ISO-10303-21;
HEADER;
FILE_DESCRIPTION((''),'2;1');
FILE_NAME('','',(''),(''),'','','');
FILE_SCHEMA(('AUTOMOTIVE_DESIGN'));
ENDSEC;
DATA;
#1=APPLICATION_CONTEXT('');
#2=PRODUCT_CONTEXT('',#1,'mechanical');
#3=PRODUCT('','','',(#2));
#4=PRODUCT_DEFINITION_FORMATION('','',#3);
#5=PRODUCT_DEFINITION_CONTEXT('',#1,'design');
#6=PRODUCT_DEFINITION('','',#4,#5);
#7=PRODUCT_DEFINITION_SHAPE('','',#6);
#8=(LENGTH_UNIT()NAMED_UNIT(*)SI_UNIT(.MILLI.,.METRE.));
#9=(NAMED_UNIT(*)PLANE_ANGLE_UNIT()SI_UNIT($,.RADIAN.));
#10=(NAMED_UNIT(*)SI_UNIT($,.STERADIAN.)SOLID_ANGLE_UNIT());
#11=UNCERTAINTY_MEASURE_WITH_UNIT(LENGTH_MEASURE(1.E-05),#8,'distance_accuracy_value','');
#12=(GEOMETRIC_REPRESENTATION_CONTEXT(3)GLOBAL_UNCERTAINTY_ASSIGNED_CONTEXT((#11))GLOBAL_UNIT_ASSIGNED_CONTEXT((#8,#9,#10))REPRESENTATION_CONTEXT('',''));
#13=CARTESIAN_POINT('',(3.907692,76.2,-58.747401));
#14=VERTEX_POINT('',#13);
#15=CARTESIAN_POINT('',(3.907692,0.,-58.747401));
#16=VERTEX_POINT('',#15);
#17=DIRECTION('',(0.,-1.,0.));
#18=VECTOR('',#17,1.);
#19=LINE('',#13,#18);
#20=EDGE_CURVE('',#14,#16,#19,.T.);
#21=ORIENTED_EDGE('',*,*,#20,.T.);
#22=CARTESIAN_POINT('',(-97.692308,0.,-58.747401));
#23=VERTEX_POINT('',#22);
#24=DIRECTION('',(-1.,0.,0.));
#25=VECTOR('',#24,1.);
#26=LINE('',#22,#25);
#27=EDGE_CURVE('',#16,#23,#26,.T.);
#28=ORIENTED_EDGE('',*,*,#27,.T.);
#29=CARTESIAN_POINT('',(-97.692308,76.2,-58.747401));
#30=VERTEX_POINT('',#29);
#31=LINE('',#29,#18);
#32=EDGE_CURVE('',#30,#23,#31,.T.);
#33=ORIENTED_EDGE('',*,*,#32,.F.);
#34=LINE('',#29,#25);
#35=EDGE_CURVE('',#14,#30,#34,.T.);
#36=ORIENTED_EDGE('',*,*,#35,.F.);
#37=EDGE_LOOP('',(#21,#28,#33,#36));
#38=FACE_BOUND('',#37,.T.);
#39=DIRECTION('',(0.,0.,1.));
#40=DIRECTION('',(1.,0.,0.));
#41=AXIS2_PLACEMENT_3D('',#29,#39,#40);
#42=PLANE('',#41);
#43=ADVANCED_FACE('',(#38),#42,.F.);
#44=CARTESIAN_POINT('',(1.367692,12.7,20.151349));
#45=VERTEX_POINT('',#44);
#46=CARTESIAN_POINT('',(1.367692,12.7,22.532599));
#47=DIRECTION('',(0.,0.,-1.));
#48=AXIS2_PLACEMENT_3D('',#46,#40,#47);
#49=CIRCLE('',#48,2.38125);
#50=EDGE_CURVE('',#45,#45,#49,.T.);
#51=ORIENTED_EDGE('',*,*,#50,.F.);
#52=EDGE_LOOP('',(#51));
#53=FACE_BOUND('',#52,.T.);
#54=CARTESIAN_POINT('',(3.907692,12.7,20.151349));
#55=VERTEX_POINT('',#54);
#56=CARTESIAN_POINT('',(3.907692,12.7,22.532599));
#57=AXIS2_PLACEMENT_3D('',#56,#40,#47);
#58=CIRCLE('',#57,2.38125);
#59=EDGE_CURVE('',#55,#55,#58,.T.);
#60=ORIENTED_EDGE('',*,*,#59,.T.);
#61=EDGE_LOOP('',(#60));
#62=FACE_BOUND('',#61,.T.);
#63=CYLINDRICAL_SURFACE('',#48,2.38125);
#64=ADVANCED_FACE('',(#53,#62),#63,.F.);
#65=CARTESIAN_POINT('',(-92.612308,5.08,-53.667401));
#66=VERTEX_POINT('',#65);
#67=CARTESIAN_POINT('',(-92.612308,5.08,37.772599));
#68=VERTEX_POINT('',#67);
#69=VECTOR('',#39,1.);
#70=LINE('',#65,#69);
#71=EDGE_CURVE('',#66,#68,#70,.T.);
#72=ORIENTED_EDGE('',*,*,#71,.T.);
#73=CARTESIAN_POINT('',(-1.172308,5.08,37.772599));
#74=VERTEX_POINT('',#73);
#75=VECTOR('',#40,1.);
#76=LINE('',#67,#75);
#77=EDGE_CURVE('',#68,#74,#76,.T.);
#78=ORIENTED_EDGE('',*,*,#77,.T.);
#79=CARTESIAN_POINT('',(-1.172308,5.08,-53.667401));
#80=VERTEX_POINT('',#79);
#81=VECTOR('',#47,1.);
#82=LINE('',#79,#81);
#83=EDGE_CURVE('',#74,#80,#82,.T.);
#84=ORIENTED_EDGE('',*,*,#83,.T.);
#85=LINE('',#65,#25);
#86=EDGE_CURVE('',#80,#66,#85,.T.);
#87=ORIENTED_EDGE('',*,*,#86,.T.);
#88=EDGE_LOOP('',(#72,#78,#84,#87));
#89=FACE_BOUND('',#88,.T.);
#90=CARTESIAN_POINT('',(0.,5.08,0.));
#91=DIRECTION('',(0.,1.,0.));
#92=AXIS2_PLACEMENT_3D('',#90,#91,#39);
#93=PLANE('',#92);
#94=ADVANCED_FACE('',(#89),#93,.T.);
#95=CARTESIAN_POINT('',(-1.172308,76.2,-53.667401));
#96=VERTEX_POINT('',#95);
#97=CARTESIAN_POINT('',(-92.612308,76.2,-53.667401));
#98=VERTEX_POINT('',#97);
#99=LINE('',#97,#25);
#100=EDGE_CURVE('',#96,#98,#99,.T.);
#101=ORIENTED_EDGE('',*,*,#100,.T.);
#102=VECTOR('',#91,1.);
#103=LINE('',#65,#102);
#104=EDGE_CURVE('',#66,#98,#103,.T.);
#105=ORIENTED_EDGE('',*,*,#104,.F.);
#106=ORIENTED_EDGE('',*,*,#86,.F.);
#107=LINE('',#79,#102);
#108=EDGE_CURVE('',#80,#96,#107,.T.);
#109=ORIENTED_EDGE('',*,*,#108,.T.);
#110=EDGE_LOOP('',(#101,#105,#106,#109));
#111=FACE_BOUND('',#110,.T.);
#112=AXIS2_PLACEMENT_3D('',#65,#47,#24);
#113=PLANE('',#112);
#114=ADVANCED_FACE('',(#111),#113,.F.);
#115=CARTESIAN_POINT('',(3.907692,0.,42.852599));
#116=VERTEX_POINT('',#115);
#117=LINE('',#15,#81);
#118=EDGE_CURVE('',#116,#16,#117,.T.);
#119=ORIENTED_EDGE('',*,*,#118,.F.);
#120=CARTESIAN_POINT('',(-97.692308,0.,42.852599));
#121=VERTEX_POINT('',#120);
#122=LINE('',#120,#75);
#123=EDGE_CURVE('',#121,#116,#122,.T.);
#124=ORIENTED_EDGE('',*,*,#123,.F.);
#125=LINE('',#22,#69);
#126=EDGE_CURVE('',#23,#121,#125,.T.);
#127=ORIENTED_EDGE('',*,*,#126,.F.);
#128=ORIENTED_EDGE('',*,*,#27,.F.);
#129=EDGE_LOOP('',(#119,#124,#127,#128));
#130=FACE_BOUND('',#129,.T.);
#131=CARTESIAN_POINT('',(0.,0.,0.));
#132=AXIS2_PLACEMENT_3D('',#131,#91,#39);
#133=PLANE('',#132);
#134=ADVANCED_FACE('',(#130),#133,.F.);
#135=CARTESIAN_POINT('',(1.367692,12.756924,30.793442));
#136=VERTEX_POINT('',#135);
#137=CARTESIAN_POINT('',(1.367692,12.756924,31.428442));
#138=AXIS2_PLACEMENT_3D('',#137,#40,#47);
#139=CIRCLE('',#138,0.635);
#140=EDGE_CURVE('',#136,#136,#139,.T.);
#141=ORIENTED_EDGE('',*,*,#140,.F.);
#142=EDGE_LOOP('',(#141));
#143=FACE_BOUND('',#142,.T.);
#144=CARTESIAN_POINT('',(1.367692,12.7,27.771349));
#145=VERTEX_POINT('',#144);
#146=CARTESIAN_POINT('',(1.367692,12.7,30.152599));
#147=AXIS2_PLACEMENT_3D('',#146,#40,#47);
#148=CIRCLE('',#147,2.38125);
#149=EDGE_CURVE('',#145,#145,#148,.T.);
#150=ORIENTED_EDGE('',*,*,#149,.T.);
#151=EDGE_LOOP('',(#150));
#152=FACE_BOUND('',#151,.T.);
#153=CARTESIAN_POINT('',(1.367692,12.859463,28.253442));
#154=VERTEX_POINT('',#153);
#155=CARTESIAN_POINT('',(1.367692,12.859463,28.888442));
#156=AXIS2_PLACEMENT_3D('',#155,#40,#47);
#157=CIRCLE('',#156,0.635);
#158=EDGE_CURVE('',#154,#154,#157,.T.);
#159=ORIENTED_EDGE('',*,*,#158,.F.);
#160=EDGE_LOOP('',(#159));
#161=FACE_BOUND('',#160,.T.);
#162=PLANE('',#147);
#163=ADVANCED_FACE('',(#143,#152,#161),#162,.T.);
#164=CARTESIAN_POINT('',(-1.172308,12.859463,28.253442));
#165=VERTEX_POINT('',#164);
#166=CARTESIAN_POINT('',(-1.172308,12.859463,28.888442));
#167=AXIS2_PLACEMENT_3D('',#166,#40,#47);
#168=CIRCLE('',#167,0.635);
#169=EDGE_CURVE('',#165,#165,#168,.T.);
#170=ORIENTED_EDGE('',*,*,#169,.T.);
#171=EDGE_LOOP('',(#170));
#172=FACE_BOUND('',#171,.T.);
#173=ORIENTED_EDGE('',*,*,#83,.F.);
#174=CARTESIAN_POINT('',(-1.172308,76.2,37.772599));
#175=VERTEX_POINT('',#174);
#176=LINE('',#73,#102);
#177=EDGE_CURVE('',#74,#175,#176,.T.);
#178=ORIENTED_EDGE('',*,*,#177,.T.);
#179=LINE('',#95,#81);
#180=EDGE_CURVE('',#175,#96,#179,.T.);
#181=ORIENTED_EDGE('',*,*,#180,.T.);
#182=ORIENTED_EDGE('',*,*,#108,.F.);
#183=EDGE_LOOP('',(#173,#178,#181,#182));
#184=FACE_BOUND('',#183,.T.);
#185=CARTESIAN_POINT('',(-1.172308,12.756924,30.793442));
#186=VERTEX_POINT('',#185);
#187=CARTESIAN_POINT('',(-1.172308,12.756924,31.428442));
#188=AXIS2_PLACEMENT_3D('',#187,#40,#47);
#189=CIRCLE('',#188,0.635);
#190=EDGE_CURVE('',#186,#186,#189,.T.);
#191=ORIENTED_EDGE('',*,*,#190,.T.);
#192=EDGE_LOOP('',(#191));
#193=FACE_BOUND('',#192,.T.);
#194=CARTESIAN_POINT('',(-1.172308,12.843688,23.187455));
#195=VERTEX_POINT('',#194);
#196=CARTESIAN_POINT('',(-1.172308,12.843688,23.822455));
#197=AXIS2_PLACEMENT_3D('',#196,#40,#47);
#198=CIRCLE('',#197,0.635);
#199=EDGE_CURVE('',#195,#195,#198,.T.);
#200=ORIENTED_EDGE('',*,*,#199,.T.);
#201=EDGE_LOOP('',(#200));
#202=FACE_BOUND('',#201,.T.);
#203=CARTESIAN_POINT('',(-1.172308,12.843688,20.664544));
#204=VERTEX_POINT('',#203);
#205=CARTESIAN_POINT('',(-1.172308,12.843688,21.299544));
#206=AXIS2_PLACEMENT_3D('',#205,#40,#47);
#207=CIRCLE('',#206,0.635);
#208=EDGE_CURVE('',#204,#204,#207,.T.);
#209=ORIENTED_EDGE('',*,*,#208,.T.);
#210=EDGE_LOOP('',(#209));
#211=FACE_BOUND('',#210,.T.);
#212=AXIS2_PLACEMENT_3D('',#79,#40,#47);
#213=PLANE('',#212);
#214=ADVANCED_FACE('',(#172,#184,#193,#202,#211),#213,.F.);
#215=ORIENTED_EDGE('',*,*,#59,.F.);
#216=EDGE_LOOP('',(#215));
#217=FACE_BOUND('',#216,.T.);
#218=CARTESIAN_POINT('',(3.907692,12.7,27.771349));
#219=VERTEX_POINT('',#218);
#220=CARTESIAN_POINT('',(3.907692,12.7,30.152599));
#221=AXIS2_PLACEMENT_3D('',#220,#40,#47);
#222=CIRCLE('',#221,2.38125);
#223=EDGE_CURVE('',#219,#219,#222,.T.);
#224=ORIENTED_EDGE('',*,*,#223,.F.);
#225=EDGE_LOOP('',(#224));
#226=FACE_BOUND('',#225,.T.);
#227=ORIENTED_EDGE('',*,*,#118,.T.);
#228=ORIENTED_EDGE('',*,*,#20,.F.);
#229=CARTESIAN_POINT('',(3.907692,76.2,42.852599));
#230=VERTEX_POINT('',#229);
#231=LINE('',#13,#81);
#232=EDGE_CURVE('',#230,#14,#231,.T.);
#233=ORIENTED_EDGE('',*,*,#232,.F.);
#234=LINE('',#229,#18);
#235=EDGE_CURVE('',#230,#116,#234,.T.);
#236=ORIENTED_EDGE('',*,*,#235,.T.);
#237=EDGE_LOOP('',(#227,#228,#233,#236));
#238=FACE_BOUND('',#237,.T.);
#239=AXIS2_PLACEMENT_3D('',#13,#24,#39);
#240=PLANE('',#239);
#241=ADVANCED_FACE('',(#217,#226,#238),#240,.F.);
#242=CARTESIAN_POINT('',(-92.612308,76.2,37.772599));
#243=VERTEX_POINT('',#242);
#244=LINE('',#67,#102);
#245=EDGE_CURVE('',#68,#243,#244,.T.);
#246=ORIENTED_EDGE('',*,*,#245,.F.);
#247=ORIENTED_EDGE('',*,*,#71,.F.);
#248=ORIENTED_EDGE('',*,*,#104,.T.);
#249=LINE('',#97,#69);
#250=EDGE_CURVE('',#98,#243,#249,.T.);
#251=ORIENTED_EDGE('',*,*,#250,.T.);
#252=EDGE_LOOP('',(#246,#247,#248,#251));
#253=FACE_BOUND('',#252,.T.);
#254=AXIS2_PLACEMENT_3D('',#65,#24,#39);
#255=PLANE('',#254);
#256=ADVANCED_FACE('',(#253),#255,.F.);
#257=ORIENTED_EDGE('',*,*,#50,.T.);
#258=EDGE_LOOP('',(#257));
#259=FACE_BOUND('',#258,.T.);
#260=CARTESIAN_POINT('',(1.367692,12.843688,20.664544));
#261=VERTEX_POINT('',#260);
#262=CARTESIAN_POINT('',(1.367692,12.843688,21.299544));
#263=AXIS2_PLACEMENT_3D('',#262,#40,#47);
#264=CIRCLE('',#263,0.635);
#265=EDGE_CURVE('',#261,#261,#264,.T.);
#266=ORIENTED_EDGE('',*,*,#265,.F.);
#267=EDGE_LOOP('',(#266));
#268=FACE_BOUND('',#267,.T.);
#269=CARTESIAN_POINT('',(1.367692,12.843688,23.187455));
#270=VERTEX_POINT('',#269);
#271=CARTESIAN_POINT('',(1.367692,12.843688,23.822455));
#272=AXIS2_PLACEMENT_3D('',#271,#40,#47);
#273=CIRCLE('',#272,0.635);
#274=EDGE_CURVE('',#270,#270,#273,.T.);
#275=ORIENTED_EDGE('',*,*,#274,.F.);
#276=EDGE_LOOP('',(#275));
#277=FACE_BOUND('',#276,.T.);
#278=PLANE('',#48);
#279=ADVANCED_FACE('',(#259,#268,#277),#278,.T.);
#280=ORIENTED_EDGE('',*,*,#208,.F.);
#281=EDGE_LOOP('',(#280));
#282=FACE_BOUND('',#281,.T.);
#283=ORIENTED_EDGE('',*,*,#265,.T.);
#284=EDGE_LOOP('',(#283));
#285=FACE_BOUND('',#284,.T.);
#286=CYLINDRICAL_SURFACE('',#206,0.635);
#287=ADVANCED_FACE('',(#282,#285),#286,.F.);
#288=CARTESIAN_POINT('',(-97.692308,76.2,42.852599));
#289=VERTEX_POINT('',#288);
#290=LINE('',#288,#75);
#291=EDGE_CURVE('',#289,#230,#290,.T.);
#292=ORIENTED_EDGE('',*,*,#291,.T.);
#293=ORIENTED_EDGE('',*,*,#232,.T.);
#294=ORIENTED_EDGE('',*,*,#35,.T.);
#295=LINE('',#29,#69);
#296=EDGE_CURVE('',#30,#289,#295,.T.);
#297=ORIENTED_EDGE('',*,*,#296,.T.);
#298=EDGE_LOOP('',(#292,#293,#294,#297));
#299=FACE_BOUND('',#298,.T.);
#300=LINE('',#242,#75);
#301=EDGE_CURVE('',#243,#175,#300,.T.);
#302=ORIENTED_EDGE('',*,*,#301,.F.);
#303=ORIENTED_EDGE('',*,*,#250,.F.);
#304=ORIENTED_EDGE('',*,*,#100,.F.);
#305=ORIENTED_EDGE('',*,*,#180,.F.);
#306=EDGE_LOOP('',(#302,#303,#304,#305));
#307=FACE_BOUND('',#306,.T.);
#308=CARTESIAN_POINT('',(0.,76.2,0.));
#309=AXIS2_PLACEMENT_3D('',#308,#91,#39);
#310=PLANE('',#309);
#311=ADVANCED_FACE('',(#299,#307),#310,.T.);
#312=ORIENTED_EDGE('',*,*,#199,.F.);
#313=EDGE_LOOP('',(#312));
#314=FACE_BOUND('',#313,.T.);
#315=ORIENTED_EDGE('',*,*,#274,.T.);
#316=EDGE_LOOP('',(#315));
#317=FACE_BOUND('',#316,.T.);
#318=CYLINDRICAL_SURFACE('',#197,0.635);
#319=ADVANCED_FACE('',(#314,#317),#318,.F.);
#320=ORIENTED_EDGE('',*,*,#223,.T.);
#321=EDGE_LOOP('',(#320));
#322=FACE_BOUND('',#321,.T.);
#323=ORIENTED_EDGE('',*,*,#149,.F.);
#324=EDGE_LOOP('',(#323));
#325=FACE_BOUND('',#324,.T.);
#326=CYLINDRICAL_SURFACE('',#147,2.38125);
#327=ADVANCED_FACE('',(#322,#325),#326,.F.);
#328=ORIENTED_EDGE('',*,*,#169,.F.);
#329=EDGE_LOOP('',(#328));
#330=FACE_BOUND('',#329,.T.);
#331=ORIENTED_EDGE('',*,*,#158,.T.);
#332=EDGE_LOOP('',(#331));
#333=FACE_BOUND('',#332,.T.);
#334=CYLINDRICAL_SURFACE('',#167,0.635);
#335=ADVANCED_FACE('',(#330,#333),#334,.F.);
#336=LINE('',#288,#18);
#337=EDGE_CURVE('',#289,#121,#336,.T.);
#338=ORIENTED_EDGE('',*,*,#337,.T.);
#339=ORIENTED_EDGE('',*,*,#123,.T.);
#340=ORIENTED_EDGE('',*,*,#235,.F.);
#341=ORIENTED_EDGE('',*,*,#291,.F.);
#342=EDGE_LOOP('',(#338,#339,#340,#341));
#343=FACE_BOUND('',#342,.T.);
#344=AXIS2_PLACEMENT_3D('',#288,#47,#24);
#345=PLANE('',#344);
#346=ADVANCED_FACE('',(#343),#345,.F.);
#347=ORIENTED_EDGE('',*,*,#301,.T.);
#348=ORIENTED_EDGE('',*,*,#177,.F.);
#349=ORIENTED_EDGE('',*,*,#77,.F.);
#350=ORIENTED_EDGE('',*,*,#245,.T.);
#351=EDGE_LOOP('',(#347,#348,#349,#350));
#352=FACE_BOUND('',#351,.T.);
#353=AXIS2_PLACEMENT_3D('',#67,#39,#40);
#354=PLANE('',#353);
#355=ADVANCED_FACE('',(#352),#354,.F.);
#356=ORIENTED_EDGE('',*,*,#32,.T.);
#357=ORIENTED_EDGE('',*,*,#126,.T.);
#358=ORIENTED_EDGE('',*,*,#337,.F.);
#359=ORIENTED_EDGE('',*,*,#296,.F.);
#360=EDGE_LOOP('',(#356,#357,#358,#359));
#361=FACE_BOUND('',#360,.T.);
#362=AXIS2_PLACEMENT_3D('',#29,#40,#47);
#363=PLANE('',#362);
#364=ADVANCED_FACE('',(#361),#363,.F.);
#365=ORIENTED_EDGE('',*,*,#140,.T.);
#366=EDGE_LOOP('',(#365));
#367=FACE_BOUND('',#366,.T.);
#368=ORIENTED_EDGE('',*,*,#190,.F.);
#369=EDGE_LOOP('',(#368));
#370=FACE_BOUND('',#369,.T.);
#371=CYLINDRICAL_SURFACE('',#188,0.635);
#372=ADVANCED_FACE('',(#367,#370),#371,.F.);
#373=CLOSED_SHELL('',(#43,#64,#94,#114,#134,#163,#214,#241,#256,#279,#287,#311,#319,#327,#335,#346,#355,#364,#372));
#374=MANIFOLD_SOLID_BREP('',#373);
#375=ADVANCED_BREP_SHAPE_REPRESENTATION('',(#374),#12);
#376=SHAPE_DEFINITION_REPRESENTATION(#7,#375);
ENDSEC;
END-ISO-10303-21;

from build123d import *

# Parameters (mm, degrees)
SKETCH1_W           = 101.6
SKETCH1_H           = 101.6
BOSS_EXTRUDE1_DEPTH = 76.2
SKETCH2_W           = 91.44
SKETCH2_H           = 91.44
CUT_EXTRUDE1_DEPTH  = 71.12
SKETCH3_R           = 2.38125
CUT_EXTRUDE2_DEPTH  = 2.54
SKETCH4_R           = 0.635
CUT_EXTRUDE3_DEPTH  = 2.54
SKETCH6_R           = 2.38125
CUT_EXTRUDE5_DEPTH  = 2.54
SKETCH8_R           = 0.635
CUT_EXTRUDE7_DEPTH  = 2.54


with BuildPart() as part:
    # Sketch1 → Boss-Extrude1 (new body)
    with BuildSketch(Plane(origin=(0, 0, 0), x_dir=(1, 0, 0), z_dir=(0, 1, 0))):
        with Locations((-46.892307692, 7.947401247)):
            Rectangle(SKETCH1_W, SKETCH1_H)
    extrude(amount=BOSS_EXTRUDE1_DEPTH)

    # Sketch2 → Cut-Extrude1 (cut)
    with BuildSketch(Plane(origin=(0, 76.2, 0), x_dir=(1, 0, 0), z_dir=(0, 1, 0))):
        with Locations((-46.892307692, 7.947401247)):
            Rectangle(SKETCH2_W, SKETCH2_H)
    extrude(amount=-CUT_EXTRUDE1_DEPTH, mode=Mode.SUBTRACT)

    # Sketch3 → Cut-Extrude2 (cut)
    with BuildSketch(Plane(origin=(3.907692308, 0, 0), x_dir=(0, 0, -1), z_dir=(1, 0, 0))):
        with Locations((-30.152598753, 12.7)):
            Circle(SKETCH3_R)
    extrude(amount=-CUT_EXTRUDE2_DEPTH, mode=Mode.SUBTRACT)

    # Sketch4 → Cut-Extrude3 (cut)
    with BuildSketch(Plane(origin=(1.367692308, 0, 0), x_dir=(0, 0, -1), z_dir=(1, 0, 0))):
        with Locations((-31.42844237, 12.756924018)):
            Circle(SKETCH4_R)
        with Locations((-28.88844237, 12.859462566)):
            Circle(SKETCH4_R)
    extrude(amount=-CUT_EXTRUDE3_DEPTH, mode=Mode.SUBTRACT)

    # Sketch6 → Cut-Extrude5 (cut)
    with BuildSketch(Plane(origin=(3.907692308, 0, 0), x_dir=(0, 0, -1), z_dir=(1, 0, 0))):
        with Locations((-22.532598753, 12.7)):
            Circle(SKETCH6_R)
    extrude(amount=-CUT_EXTRUDE5_DEPTH, mode=Mode.SUBTRACT)

    # Sketch8 → Cut-Extrude7 (cut)
    with BuildSketch(Plane(origin=(1.367692308, 0, 0), x_dir=(0, 0, -1), z_dir=(1, 0, 0))):
        with Locations((-23.822454546, 12.843688335)):
            Circle(SKETCH8_R)
        with Locations((-21.299543609, 12.843688335)):
            Circle(SKETCH8_R)
    extrude(amount=-CUT_EXTRUDE7_DEPTH, mode=Mode.SUBTRACT)


solid = part.part
